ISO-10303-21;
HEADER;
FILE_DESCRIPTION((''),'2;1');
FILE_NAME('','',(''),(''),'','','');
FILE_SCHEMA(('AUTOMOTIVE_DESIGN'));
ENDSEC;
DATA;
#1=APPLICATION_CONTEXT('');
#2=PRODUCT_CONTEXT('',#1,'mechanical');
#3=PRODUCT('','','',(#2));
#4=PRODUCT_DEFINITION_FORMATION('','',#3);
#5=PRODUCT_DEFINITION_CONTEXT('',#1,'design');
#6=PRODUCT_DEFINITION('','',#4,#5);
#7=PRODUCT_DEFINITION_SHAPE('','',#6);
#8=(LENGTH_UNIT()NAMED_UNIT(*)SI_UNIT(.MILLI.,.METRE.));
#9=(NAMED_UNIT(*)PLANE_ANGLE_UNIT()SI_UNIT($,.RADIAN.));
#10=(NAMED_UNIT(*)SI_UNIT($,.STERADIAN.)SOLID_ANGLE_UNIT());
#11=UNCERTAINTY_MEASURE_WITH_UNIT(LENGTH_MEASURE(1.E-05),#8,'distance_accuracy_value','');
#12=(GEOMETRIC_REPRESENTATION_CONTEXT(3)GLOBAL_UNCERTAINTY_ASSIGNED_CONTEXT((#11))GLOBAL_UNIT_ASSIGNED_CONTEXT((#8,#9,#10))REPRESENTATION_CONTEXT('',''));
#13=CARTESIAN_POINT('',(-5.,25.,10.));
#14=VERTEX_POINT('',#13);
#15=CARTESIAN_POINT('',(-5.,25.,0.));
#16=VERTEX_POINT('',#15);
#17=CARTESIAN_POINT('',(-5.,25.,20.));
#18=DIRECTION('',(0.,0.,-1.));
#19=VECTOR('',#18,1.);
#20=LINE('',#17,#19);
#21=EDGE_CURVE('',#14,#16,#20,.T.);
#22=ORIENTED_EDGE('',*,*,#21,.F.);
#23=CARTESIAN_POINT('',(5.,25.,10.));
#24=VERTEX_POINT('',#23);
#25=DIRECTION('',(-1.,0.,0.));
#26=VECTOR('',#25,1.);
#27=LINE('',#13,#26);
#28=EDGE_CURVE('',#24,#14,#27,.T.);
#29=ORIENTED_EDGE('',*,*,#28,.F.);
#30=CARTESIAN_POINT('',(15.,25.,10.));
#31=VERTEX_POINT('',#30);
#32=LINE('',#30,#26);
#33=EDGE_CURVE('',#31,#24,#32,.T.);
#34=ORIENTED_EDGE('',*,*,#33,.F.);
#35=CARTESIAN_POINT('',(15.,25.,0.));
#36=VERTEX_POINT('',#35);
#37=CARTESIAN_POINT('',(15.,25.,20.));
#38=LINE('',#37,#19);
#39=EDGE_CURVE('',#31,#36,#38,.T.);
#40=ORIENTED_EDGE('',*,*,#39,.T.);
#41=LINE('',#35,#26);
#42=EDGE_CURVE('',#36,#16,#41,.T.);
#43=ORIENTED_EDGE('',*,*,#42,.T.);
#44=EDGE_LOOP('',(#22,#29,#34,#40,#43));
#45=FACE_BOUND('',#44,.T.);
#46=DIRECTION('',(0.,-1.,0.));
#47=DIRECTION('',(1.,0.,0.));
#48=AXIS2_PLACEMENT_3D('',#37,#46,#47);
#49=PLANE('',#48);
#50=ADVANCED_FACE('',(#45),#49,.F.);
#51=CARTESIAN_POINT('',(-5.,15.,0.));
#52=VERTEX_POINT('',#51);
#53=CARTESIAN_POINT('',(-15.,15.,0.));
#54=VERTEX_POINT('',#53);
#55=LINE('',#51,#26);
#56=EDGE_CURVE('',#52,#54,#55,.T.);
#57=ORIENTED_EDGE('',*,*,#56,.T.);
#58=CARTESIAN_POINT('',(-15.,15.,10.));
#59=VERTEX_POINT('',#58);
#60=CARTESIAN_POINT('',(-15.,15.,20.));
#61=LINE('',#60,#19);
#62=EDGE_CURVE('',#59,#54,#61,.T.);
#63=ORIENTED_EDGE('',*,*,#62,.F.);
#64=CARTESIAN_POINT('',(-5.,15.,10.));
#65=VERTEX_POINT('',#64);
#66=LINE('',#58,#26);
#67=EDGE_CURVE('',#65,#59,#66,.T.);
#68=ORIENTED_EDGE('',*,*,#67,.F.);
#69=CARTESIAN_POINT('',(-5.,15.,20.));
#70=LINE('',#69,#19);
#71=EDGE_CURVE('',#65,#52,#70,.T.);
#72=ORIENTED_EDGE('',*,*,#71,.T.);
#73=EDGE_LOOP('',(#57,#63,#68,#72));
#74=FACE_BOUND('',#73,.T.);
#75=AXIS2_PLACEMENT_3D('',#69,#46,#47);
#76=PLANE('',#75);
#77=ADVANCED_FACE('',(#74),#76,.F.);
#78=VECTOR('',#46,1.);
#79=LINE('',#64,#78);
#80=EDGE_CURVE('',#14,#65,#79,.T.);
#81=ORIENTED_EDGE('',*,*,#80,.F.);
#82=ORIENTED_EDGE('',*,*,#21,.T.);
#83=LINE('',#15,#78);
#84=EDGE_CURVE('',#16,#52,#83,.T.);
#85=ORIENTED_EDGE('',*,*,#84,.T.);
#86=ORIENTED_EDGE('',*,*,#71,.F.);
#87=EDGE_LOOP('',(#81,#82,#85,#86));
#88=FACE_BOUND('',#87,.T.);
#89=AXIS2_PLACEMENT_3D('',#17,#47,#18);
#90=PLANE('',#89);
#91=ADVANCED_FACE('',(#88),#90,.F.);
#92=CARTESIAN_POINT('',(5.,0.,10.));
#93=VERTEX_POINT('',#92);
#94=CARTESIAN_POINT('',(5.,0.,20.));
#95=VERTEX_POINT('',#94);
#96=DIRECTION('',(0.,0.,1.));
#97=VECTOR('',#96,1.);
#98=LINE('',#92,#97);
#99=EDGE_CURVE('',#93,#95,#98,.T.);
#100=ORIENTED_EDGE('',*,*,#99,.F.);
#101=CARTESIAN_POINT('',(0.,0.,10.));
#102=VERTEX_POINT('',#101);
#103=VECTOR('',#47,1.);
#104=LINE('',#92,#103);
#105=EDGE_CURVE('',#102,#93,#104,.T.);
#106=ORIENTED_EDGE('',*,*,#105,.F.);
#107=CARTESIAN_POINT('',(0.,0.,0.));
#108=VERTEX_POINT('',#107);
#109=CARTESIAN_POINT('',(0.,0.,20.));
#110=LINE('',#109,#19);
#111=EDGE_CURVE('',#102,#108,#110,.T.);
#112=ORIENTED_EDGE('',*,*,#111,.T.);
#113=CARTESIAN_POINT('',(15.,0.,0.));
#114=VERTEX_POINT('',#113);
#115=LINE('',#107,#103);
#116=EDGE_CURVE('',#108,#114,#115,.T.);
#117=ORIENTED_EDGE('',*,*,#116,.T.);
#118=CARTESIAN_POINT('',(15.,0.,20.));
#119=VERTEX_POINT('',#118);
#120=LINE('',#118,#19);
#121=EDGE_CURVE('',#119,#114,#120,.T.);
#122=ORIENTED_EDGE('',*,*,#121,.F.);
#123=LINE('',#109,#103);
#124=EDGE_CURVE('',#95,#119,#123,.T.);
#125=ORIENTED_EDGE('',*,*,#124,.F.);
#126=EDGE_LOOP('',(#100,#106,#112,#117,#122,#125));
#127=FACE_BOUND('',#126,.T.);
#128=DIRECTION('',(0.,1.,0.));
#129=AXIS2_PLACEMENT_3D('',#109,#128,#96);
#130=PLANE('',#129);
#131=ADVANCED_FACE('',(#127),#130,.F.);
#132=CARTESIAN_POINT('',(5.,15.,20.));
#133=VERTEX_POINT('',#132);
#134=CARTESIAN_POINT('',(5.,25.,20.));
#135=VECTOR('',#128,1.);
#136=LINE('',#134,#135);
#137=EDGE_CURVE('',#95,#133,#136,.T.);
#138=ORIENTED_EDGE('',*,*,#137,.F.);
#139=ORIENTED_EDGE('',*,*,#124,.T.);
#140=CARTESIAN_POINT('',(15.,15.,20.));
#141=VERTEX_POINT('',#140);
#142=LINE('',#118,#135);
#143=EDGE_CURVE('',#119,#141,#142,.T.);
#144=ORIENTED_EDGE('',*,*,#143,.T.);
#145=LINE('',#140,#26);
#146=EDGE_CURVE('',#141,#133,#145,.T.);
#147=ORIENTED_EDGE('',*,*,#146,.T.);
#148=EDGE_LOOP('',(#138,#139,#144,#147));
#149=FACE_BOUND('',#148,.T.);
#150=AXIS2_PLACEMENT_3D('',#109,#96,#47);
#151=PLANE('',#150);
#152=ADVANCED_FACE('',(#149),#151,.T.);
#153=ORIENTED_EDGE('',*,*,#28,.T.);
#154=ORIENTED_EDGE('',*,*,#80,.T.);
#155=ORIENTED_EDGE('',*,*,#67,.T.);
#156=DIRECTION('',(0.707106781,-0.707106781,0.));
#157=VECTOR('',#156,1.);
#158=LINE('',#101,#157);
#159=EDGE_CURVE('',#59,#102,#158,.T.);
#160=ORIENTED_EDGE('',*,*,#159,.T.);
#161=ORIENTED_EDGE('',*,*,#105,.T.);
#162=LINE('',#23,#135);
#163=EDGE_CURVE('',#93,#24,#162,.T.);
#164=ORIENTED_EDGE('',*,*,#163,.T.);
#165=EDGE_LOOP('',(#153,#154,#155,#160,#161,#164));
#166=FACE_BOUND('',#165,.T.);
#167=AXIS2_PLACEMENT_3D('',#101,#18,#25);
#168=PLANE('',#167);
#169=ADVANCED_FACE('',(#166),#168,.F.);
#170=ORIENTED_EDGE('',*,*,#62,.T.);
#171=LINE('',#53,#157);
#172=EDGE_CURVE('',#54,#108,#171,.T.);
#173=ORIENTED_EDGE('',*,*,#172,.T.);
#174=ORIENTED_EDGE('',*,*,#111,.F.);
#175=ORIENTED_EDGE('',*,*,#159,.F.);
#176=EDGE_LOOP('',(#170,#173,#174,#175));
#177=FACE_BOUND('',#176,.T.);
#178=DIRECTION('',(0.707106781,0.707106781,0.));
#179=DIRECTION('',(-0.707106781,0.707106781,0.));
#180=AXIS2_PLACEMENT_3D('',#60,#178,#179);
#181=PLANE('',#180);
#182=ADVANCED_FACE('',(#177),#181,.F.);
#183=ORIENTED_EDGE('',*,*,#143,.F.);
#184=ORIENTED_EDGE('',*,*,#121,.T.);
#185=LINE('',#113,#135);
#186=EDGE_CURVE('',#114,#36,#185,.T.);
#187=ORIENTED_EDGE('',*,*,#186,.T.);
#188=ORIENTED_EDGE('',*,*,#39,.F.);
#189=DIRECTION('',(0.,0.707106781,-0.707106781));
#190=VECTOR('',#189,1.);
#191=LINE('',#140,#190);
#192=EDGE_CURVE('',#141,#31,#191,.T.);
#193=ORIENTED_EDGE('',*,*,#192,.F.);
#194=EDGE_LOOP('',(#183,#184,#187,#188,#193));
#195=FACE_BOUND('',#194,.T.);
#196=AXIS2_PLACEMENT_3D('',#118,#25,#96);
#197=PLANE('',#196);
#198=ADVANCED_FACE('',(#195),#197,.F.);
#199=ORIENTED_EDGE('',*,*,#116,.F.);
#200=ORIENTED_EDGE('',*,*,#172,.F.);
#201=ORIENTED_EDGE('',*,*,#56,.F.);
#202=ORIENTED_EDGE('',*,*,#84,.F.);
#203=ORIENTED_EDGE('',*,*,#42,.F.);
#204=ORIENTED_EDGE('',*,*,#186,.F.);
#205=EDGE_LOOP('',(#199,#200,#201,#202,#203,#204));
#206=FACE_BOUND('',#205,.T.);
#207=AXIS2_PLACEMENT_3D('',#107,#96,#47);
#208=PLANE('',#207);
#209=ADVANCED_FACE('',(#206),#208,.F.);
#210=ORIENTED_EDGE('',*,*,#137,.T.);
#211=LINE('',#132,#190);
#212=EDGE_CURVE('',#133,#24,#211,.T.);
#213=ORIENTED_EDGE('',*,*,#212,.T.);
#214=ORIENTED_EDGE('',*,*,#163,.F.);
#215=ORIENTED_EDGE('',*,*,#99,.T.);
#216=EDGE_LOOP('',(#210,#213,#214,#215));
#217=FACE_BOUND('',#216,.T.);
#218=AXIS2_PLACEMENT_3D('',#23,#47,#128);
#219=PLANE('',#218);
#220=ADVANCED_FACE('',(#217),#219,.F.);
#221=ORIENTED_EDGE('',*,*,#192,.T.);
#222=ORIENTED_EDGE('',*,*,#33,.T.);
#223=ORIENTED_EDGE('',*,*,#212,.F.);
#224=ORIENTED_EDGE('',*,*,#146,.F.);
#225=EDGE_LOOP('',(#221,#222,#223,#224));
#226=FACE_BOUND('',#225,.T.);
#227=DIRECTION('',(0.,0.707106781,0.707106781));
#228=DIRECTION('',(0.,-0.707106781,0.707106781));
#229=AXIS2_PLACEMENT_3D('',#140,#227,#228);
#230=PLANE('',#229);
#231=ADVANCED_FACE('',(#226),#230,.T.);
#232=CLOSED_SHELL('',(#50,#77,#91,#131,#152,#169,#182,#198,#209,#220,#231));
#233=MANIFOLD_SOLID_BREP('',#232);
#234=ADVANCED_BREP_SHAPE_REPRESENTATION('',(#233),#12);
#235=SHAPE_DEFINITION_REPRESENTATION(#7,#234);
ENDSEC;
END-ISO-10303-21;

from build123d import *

# Parameters (mm, degrees)
BOSS_EXTRUDE1_DEPTH = 20
CUT_EXTRUDE1_DEPTH  = 10
CUT_EXTRUDE2_DEPTH  = 10


with BuildPart() as part:
    # Sketch1 → Boss-Extrude1 (new body)
    with BuildSketch(Plane.XY):
        Polygon((0, 0), (15, 0), (15, 25), (-5, 25), (-5, 15), (-15, 15), align=None)
    extrude(amount=BOSS_EXTRUDE1_DEPTH)

    # Sketch2 → Cut-Extrude1 (cut)
    with BuildSketch(Plane.XY.offset(20)):
        Polygon((5, 25), (5, 0), (0, 0), (-15, 15), (-5, 15), (-5, 25), align=None)
    extrude(amount=-CUT_EXTRUDE1_DEPTH, mode=Mode.SUBTRACT)

    # Sketch3 → Cut-Extrude2 (cut)
    with BuildSketch(Plane.ZY.offset(-5)):
        Polygon((10, 25), (20, 25), (20, 15), align=None)
    extrude(amount=-CUT_EXTRUDE2_DEPTH, mode=Mode.SUBTRACT)


solid = part.part
